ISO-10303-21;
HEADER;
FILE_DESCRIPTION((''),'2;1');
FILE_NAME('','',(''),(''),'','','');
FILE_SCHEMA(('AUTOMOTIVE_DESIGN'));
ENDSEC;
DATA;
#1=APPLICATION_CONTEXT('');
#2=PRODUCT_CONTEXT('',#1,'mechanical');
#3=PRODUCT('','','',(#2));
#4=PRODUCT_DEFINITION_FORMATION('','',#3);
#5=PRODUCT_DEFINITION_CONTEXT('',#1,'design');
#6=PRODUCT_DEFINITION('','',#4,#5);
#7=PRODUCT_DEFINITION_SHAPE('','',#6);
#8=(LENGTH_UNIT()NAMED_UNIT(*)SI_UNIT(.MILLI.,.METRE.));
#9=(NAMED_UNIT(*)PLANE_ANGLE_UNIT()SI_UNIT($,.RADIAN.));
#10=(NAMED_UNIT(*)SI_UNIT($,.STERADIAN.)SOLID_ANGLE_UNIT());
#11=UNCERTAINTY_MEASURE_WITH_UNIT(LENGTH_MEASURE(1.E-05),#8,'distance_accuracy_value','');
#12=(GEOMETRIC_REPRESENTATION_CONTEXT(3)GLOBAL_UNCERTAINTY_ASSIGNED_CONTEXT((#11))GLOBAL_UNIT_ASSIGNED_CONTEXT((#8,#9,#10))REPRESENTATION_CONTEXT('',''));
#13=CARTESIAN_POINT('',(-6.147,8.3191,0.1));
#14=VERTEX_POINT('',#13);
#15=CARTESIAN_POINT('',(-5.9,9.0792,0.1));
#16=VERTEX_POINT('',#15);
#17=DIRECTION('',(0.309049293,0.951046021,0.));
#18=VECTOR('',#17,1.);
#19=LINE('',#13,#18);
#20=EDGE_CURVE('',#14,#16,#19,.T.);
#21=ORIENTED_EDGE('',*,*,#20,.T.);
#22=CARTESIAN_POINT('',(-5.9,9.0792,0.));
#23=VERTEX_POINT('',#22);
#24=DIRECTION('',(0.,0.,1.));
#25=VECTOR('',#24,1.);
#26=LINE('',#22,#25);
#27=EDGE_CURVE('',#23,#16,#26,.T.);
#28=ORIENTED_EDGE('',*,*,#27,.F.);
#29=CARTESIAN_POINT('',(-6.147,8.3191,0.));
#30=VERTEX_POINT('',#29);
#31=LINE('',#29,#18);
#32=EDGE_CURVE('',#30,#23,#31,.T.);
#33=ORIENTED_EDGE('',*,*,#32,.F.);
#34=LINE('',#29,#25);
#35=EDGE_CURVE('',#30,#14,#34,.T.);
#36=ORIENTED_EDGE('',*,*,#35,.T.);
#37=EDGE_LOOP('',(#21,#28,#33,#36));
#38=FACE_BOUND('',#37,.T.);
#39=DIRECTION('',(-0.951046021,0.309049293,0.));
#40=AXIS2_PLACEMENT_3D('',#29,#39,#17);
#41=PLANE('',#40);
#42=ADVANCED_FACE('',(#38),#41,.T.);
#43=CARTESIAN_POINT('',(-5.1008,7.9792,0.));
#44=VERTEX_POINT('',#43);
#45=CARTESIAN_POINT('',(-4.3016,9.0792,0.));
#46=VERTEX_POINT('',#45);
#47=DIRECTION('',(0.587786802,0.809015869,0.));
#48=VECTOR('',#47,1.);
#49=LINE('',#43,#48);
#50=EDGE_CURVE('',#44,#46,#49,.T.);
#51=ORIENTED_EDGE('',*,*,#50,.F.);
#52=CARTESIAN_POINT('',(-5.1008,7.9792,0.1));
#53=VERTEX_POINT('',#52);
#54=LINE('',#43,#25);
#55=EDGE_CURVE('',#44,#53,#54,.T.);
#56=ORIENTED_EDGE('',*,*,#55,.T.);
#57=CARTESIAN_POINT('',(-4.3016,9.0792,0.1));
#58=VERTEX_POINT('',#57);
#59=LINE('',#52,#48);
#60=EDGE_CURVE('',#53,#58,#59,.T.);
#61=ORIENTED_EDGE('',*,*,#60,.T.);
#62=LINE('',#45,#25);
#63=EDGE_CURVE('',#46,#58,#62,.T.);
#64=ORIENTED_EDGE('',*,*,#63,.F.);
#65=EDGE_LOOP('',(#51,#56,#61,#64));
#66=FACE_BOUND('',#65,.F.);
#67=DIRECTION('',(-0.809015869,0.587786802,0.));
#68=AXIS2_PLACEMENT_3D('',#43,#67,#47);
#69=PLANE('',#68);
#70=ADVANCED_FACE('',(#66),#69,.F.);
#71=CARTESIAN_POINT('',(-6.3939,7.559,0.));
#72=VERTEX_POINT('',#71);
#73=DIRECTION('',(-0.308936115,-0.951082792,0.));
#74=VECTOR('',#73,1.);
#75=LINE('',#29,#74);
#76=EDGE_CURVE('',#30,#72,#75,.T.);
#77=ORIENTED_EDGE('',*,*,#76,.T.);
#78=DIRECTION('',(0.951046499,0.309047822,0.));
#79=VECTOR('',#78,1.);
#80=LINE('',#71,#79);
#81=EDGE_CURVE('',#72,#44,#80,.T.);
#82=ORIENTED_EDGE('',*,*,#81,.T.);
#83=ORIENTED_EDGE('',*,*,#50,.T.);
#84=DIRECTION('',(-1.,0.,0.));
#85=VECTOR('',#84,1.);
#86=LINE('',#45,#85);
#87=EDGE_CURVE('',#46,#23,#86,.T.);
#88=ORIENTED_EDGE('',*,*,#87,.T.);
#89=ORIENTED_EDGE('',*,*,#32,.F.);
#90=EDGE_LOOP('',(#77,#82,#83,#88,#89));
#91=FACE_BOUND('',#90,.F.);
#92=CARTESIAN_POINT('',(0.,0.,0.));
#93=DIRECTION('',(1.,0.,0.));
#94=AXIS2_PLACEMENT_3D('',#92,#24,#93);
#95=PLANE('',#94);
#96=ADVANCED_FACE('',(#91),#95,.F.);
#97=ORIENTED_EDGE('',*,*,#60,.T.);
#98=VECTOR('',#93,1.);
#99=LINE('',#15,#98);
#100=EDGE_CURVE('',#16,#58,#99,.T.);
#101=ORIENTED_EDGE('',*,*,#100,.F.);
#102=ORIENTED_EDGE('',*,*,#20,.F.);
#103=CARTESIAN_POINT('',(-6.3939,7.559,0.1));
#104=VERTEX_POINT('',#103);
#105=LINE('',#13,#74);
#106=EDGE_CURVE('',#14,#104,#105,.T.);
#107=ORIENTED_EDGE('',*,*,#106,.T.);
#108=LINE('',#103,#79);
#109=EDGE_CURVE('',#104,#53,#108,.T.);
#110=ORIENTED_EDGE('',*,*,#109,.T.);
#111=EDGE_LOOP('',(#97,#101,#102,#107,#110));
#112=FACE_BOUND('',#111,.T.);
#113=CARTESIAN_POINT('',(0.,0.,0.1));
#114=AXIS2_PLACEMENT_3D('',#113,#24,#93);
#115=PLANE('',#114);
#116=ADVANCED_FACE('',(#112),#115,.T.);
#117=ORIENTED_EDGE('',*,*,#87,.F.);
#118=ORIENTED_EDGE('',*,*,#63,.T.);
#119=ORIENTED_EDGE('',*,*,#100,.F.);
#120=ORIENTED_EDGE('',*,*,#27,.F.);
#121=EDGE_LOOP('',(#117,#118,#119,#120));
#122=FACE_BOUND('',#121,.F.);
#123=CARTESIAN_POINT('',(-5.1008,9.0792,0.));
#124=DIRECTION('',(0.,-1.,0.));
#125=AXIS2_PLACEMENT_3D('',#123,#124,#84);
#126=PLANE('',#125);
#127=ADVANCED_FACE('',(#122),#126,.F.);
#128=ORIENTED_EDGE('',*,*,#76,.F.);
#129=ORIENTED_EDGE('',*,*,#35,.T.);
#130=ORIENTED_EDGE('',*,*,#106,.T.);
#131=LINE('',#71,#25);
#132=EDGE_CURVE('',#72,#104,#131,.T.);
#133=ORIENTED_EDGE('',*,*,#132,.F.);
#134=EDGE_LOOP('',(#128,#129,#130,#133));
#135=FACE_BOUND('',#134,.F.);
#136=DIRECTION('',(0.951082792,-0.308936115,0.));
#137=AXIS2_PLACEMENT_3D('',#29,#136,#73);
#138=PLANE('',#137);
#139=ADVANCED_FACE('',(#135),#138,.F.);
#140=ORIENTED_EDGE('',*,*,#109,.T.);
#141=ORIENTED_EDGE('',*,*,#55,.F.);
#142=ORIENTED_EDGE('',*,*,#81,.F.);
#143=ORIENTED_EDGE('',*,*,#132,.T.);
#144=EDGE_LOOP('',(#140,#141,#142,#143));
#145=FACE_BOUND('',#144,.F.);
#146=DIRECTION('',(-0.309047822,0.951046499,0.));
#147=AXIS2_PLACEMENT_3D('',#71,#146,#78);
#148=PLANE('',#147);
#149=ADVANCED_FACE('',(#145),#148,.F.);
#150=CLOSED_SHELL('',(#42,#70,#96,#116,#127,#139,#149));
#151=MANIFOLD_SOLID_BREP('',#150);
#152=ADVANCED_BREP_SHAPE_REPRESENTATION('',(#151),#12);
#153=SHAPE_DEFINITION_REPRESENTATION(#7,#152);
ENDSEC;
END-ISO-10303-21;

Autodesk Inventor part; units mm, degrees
ref_plane "YZ Plane" through (0, 0, 0) normal (1, 0, 0) x (0, 1, 0)
ref_plane "XZ Plane" through (0, 0, 0) normal (0, 1, 0) x (-1, 0, 0)
ref_plane "XY Plane" through (0, 0, 0) normal (0, 0, 1) x (1, 0, 0)
sketch "Boceto1" plane through (0, 0, 0) normal (0, 0, 1) x (1, 0, 0)
  line L0 (-5.1008, 7.9792) -> (-5.1008, 9.0792) projected
  line L1 (-5.1008, 9.0792) -> (-5.9, 9.0792) projected
  line L2 (-5.1008, 7.9792) -> (-5.9, 9.0792) projected
  line L3 (-6.147, 8.3191) -> (-5.1008, 7.9792) projected
  line L4 (-5.1008, 7.9792) -> (-5.9, 9.0792) projected
  line L5 (-6.147, 8.3191) -> (-5.9, 9.0792) projected
  line L6 (-6.147, 8.3191) -> (-5.9, 9.0792)
  line L7 (-5.1008, 9.0792) -> (-5.9, 9.0792)
  line L8 (-5.1008, 7.9792) -> (-5.1008, 9.0792)
  line L9 (-5.1008, 7.9792) -> (-5.9, 9.0792)
  line L10 (-5.1008, 7.9792) -> (-6.147, 8.3191)
  line L11 (-6.147, 8.3191) -> (-6.3939, 7.559)
  line L12 (-6.3939, 7.559) -> (-5.1008, 7.9792)
  line L13 (-5.1008, 9.0792) -> (-4.3016, 9.0792)
  line L14 (-5.1008, 7.9792) -> (-4.3016, 9.0792)
  point P0 (0, 0)
extrude "Extrusión1" add sketch "Boceto1" along normal blind 0.1
ref_plane "Plano de trabajo1" through (-4.3016, 9.0792, 0) normal (0, 0.8507, -0.5257) x (-1, 0, 0)
